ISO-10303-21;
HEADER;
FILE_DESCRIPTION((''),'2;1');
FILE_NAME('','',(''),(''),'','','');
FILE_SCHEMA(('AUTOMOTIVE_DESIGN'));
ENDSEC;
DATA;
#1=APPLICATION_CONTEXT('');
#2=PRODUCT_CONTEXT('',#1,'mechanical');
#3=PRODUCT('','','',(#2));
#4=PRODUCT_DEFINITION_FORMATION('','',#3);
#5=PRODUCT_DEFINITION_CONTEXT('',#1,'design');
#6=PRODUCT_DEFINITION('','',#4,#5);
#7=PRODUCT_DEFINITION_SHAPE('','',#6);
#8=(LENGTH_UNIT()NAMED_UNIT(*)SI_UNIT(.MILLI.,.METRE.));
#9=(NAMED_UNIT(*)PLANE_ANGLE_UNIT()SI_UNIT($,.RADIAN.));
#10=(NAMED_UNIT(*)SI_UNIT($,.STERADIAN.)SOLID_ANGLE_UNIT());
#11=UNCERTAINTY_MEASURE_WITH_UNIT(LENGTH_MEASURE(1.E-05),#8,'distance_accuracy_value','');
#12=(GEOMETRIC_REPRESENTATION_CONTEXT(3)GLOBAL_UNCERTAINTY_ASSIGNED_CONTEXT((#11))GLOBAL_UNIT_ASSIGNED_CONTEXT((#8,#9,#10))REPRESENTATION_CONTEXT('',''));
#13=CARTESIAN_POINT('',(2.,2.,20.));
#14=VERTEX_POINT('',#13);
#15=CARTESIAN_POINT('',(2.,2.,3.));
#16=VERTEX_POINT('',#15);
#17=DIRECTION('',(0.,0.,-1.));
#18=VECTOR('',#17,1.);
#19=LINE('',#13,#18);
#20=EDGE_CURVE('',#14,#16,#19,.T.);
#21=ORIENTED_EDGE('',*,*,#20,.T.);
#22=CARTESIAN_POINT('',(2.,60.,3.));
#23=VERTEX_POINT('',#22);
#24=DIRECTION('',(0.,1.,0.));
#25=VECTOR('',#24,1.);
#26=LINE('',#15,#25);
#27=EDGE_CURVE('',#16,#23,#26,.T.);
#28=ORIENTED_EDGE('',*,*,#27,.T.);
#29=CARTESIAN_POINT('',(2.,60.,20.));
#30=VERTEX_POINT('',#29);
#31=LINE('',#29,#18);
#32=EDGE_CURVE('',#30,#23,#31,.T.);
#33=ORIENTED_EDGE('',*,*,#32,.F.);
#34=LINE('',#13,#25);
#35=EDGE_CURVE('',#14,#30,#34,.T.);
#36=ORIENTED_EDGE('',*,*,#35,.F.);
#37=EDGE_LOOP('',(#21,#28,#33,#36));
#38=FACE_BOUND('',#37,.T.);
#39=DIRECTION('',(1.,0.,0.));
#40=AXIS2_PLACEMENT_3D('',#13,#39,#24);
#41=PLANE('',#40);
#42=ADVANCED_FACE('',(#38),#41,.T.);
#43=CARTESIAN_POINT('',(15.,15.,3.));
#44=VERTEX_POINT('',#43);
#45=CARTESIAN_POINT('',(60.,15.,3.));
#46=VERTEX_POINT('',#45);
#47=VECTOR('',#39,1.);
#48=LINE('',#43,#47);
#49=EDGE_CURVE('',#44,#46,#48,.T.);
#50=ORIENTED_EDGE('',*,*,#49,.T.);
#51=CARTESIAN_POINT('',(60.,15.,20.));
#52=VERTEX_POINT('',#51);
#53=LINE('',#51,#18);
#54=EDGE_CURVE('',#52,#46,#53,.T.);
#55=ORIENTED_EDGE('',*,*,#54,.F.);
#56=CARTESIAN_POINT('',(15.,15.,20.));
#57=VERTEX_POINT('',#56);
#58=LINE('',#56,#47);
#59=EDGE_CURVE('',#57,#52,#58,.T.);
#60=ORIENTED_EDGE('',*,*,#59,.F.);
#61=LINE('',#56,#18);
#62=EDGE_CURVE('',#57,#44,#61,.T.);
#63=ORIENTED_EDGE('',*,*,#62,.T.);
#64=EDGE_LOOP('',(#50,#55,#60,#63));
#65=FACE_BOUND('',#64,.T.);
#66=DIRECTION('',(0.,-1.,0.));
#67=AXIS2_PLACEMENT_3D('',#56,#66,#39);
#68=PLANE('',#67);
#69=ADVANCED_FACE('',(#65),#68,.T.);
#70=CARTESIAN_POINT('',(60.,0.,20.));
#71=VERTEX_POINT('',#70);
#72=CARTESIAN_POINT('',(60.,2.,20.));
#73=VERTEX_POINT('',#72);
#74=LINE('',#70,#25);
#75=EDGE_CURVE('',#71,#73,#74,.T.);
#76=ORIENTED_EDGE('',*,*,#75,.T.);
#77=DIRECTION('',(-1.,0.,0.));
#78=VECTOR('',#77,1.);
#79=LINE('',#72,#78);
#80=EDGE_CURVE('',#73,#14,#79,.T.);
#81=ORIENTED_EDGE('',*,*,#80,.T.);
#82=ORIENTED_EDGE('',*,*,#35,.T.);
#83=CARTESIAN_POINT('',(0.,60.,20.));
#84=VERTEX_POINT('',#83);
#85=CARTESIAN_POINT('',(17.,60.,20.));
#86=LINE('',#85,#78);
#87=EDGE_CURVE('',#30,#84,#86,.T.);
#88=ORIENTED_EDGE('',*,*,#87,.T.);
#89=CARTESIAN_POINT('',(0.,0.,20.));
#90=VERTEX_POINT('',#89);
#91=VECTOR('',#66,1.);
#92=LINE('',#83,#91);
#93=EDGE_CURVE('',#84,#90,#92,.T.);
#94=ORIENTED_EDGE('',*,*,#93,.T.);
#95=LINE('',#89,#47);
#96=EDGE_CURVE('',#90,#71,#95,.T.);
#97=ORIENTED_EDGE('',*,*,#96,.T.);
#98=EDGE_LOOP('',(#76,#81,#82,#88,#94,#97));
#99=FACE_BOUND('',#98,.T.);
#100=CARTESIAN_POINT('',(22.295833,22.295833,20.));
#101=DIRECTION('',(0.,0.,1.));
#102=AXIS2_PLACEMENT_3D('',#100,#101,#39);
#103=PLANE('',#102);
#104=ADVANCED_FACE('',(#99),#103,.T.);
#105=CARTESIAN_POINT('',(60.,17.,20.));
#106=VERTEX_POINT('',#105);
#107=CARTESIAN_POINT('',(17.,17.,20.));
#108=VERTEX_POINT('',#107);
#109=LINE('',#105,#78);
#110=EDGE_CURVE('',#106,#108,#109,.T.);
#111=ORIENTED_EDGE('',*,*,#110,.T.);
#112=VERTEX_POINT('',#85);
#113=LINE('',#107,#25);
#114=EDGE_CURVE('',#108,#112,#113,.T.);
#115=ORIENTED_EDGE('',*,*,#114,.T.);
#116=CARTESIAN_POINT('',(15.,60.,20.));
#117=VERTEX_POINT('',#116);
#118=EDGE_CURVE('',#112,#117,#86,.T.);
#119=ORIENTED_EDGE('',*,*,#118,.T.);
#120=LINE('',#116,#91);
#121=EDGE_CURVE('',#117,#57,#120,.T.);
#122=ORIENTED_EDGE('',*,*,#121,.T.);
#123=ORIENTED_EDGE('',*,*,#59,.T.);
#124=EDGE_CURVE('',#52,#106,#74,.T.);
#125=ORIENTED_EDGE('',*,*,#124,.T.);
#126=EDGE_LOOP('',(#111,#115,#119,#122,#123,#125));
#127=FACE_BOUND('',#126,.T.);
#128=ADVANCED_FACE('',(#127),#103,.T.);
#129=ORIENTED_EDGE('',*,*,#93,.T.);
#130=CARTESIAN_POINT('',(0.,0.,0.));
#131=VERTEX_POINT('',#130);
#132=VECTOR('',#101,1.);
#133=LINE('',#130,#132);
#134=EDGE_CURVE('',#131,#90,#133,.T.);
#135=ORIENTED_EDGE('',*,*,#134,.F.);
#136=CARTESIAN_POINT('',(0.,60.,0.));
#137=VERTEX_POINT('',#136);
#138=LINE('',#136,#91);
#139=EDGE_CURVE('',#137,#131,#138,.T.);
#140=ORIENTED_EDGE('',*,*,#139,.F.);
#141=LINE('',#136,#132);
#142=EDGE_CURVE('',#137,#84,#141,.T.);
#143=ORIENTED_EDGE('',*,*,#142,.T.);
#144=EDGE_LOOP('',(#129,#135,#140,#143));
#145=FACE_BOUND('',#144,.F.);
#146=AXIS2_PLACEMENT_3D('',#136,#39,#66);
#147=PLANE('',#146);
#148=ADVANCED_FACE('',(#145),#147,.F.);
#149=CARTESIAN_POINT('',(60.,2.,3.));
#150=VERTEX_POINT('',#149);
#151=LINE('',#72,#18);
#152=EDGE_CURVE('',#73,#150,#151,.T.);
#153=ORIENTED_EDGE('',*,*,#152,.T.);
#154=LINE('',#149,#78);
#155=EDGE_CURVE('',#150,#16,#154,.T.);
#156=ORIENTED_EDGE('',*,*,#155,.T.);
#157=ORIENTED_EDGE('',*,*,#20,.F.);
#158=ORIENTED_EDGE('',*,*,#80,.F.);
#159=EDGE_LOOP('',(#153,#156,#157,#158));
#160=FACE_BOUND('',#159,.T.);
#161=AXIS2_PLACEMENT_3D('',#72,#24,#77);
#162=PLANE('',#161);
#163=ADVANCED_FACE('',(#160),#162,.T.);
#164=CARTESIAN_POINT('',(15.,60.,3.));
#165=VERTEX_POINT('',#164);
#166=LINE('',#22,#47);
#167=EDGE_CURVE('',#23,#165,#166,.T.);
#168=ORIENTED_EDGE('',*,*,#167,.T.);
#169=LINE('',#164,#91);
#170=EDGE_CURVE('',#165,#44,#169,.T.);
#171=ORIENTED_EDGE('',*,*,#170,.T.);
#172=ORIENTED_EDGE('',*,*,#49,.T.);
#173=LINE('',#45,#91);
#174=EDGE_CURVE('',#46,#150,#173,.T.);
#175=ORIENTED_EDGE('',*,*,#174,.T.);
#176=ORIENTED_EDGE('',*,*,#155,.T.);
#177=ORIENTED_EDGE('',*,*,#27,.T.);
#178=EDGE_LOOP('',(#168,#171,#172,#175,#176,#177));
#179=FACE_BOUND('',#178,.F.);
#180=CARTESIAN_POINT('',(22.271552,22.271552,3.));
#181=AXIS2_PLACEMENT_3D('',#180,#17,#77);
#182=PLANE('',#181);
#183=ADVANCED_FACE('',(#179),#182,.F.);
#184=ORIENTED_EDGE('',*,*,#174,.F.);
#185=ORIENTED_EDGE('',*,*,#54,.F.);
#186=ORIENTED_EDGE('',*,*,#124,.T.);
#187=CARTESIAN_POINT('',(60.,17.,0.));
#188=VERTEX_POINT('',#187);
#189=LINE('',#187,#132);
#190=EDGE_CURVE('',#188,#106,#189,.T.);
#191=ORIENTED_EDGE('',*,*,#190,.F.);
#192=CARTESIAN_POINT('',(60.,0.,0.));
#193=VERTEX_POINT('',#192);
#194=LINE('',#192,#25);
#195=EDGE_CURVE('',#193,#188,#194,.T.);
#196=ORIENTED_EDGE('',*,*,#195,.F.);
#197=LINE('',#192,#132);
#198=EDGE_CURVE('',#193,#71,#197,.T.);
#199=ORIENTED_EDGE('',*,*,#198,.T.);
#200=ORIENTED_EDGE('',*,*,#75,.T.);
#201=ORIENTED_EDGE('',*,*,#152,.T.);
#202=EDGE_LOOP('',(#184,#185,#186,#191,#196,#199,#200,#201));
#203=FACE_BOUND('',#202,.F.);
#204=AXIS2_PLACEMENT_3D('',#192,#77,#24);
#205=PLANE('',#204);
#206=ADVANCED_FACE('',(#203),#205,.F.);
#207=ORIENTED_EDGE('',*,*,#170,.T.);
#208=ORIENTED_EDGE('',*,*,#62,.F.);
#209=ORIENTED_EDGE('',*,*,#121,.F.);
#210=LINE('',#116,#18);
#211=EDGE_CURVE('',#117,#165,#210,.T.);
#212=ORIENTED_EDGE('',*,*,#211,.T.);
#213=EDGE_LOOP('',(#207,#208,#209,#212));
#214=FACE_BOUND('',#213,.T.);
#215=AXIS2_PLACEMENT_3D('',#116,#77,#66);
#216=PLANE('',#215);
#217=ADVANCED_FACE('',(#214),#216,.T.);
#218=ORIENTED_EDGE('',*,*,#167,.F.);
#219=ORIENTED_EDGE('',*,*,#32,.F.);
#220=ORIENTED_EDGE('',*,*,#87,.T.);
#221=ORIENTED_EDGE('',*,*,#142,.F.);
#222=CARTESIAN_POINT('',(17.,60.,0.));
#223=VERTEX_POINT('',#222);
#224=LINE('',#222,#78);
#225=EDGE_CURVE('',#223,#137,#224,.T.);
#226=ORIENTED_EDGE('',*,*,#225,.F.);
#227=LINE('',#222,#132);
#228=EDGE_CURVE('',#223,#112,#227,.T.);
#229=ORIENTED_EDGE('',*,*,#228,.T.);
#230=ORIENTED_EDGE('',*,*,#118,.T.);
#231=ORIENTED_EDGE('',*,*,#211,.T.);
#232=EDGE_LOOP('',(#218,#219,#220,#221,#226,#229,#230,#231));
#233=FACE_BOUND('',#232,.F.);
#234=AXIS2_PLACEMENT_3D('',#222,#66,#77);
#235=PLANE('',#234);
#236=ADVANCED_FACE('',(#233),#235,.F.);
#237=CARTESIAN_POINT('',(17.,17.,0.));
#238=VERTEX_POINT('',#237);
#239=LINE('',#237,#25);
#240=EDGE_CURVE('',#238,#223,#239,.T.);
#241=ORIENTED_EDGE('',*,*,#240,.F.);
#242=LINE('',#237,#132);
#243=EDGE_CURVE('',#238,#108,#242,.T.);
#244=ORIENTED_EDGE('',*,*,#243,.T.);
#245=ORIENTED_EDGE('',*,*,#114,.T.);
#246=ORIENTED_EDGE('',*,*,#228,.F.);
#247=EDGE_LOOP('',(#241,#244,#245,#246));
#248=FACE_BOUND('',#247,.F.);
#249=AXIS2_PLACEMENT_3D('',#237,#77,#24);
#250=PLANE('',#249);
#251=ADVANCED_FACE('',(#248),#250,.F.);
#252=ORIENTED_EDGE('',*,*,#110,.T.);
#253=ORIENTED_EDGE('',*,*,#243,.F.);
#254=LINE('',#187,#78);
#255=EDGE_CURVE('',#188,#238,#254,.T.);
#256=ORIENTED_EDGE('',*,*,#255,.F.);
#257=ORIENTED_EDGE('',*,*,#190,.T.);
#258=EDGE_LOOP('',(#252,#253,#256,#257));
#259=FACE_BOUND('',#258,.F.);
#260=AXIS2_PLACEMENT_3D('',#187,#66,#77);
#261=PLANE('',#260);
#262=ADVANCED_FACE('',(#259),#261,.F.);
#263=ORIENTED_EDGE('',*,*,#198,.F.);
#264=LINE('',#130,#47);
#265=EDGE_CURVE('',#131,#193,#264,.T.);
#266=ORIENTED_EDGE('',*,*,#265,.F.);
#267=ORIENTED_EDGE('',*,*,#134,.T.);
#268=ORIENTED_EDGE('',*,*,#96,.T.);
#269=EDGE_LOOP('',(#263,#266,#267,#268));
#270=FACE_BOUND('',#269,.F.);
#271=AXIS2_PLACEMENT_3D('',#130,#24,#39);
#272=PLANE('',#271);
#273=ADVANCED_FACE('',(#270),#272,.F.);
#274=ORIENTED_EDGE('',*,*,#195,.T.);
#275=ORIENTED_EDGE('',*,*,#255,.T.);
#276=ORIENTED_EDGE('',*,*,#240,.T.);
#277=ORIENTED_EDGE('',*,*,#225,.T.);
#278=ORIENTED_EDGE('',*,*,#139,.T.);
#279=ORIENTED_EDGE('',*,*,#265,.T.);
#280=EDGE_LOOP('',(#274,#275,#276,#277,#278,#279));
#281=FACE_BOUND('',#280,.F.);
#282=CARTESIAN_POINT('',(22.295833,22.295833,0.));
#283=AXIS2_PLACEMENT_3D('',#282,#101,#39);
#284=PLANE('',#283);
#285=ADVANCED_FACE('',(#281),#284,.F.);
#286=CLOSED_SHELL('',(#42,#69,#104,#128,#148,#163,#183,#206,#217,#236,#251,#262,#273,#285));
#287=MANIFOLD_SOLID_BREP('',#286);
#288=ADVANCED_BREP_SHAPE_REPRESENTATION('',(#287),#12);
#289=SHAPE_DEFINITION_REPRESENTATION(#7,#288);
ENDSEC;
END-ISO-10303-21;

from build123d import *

# Parameters (mm, degrees)
PAD_DEPTH    = 20
POCKET_DEPTH = 17


with BuildPart() as part:
    # Sketch → Pad (new body)
    with BuildSketch(Plane.XY):
        Polygon((0, 60), (0, 0), (60, 0), (60, 17), (17, 17), (17, 60), align=None)
    extrude(amount=PAD_DEPTH)

    # Sketch001 → Pocket (cut)
    with BuildSketch(Plane.XY.offset(20)):
        Polygon((2, 2), (2, 60), (15, 60), (15, 15), (60, 15), (60, 2), align=None)
    extrude(amount=-POCKET_DEPTH, mode=Mode.SUBTRACT)


solid = part.part
